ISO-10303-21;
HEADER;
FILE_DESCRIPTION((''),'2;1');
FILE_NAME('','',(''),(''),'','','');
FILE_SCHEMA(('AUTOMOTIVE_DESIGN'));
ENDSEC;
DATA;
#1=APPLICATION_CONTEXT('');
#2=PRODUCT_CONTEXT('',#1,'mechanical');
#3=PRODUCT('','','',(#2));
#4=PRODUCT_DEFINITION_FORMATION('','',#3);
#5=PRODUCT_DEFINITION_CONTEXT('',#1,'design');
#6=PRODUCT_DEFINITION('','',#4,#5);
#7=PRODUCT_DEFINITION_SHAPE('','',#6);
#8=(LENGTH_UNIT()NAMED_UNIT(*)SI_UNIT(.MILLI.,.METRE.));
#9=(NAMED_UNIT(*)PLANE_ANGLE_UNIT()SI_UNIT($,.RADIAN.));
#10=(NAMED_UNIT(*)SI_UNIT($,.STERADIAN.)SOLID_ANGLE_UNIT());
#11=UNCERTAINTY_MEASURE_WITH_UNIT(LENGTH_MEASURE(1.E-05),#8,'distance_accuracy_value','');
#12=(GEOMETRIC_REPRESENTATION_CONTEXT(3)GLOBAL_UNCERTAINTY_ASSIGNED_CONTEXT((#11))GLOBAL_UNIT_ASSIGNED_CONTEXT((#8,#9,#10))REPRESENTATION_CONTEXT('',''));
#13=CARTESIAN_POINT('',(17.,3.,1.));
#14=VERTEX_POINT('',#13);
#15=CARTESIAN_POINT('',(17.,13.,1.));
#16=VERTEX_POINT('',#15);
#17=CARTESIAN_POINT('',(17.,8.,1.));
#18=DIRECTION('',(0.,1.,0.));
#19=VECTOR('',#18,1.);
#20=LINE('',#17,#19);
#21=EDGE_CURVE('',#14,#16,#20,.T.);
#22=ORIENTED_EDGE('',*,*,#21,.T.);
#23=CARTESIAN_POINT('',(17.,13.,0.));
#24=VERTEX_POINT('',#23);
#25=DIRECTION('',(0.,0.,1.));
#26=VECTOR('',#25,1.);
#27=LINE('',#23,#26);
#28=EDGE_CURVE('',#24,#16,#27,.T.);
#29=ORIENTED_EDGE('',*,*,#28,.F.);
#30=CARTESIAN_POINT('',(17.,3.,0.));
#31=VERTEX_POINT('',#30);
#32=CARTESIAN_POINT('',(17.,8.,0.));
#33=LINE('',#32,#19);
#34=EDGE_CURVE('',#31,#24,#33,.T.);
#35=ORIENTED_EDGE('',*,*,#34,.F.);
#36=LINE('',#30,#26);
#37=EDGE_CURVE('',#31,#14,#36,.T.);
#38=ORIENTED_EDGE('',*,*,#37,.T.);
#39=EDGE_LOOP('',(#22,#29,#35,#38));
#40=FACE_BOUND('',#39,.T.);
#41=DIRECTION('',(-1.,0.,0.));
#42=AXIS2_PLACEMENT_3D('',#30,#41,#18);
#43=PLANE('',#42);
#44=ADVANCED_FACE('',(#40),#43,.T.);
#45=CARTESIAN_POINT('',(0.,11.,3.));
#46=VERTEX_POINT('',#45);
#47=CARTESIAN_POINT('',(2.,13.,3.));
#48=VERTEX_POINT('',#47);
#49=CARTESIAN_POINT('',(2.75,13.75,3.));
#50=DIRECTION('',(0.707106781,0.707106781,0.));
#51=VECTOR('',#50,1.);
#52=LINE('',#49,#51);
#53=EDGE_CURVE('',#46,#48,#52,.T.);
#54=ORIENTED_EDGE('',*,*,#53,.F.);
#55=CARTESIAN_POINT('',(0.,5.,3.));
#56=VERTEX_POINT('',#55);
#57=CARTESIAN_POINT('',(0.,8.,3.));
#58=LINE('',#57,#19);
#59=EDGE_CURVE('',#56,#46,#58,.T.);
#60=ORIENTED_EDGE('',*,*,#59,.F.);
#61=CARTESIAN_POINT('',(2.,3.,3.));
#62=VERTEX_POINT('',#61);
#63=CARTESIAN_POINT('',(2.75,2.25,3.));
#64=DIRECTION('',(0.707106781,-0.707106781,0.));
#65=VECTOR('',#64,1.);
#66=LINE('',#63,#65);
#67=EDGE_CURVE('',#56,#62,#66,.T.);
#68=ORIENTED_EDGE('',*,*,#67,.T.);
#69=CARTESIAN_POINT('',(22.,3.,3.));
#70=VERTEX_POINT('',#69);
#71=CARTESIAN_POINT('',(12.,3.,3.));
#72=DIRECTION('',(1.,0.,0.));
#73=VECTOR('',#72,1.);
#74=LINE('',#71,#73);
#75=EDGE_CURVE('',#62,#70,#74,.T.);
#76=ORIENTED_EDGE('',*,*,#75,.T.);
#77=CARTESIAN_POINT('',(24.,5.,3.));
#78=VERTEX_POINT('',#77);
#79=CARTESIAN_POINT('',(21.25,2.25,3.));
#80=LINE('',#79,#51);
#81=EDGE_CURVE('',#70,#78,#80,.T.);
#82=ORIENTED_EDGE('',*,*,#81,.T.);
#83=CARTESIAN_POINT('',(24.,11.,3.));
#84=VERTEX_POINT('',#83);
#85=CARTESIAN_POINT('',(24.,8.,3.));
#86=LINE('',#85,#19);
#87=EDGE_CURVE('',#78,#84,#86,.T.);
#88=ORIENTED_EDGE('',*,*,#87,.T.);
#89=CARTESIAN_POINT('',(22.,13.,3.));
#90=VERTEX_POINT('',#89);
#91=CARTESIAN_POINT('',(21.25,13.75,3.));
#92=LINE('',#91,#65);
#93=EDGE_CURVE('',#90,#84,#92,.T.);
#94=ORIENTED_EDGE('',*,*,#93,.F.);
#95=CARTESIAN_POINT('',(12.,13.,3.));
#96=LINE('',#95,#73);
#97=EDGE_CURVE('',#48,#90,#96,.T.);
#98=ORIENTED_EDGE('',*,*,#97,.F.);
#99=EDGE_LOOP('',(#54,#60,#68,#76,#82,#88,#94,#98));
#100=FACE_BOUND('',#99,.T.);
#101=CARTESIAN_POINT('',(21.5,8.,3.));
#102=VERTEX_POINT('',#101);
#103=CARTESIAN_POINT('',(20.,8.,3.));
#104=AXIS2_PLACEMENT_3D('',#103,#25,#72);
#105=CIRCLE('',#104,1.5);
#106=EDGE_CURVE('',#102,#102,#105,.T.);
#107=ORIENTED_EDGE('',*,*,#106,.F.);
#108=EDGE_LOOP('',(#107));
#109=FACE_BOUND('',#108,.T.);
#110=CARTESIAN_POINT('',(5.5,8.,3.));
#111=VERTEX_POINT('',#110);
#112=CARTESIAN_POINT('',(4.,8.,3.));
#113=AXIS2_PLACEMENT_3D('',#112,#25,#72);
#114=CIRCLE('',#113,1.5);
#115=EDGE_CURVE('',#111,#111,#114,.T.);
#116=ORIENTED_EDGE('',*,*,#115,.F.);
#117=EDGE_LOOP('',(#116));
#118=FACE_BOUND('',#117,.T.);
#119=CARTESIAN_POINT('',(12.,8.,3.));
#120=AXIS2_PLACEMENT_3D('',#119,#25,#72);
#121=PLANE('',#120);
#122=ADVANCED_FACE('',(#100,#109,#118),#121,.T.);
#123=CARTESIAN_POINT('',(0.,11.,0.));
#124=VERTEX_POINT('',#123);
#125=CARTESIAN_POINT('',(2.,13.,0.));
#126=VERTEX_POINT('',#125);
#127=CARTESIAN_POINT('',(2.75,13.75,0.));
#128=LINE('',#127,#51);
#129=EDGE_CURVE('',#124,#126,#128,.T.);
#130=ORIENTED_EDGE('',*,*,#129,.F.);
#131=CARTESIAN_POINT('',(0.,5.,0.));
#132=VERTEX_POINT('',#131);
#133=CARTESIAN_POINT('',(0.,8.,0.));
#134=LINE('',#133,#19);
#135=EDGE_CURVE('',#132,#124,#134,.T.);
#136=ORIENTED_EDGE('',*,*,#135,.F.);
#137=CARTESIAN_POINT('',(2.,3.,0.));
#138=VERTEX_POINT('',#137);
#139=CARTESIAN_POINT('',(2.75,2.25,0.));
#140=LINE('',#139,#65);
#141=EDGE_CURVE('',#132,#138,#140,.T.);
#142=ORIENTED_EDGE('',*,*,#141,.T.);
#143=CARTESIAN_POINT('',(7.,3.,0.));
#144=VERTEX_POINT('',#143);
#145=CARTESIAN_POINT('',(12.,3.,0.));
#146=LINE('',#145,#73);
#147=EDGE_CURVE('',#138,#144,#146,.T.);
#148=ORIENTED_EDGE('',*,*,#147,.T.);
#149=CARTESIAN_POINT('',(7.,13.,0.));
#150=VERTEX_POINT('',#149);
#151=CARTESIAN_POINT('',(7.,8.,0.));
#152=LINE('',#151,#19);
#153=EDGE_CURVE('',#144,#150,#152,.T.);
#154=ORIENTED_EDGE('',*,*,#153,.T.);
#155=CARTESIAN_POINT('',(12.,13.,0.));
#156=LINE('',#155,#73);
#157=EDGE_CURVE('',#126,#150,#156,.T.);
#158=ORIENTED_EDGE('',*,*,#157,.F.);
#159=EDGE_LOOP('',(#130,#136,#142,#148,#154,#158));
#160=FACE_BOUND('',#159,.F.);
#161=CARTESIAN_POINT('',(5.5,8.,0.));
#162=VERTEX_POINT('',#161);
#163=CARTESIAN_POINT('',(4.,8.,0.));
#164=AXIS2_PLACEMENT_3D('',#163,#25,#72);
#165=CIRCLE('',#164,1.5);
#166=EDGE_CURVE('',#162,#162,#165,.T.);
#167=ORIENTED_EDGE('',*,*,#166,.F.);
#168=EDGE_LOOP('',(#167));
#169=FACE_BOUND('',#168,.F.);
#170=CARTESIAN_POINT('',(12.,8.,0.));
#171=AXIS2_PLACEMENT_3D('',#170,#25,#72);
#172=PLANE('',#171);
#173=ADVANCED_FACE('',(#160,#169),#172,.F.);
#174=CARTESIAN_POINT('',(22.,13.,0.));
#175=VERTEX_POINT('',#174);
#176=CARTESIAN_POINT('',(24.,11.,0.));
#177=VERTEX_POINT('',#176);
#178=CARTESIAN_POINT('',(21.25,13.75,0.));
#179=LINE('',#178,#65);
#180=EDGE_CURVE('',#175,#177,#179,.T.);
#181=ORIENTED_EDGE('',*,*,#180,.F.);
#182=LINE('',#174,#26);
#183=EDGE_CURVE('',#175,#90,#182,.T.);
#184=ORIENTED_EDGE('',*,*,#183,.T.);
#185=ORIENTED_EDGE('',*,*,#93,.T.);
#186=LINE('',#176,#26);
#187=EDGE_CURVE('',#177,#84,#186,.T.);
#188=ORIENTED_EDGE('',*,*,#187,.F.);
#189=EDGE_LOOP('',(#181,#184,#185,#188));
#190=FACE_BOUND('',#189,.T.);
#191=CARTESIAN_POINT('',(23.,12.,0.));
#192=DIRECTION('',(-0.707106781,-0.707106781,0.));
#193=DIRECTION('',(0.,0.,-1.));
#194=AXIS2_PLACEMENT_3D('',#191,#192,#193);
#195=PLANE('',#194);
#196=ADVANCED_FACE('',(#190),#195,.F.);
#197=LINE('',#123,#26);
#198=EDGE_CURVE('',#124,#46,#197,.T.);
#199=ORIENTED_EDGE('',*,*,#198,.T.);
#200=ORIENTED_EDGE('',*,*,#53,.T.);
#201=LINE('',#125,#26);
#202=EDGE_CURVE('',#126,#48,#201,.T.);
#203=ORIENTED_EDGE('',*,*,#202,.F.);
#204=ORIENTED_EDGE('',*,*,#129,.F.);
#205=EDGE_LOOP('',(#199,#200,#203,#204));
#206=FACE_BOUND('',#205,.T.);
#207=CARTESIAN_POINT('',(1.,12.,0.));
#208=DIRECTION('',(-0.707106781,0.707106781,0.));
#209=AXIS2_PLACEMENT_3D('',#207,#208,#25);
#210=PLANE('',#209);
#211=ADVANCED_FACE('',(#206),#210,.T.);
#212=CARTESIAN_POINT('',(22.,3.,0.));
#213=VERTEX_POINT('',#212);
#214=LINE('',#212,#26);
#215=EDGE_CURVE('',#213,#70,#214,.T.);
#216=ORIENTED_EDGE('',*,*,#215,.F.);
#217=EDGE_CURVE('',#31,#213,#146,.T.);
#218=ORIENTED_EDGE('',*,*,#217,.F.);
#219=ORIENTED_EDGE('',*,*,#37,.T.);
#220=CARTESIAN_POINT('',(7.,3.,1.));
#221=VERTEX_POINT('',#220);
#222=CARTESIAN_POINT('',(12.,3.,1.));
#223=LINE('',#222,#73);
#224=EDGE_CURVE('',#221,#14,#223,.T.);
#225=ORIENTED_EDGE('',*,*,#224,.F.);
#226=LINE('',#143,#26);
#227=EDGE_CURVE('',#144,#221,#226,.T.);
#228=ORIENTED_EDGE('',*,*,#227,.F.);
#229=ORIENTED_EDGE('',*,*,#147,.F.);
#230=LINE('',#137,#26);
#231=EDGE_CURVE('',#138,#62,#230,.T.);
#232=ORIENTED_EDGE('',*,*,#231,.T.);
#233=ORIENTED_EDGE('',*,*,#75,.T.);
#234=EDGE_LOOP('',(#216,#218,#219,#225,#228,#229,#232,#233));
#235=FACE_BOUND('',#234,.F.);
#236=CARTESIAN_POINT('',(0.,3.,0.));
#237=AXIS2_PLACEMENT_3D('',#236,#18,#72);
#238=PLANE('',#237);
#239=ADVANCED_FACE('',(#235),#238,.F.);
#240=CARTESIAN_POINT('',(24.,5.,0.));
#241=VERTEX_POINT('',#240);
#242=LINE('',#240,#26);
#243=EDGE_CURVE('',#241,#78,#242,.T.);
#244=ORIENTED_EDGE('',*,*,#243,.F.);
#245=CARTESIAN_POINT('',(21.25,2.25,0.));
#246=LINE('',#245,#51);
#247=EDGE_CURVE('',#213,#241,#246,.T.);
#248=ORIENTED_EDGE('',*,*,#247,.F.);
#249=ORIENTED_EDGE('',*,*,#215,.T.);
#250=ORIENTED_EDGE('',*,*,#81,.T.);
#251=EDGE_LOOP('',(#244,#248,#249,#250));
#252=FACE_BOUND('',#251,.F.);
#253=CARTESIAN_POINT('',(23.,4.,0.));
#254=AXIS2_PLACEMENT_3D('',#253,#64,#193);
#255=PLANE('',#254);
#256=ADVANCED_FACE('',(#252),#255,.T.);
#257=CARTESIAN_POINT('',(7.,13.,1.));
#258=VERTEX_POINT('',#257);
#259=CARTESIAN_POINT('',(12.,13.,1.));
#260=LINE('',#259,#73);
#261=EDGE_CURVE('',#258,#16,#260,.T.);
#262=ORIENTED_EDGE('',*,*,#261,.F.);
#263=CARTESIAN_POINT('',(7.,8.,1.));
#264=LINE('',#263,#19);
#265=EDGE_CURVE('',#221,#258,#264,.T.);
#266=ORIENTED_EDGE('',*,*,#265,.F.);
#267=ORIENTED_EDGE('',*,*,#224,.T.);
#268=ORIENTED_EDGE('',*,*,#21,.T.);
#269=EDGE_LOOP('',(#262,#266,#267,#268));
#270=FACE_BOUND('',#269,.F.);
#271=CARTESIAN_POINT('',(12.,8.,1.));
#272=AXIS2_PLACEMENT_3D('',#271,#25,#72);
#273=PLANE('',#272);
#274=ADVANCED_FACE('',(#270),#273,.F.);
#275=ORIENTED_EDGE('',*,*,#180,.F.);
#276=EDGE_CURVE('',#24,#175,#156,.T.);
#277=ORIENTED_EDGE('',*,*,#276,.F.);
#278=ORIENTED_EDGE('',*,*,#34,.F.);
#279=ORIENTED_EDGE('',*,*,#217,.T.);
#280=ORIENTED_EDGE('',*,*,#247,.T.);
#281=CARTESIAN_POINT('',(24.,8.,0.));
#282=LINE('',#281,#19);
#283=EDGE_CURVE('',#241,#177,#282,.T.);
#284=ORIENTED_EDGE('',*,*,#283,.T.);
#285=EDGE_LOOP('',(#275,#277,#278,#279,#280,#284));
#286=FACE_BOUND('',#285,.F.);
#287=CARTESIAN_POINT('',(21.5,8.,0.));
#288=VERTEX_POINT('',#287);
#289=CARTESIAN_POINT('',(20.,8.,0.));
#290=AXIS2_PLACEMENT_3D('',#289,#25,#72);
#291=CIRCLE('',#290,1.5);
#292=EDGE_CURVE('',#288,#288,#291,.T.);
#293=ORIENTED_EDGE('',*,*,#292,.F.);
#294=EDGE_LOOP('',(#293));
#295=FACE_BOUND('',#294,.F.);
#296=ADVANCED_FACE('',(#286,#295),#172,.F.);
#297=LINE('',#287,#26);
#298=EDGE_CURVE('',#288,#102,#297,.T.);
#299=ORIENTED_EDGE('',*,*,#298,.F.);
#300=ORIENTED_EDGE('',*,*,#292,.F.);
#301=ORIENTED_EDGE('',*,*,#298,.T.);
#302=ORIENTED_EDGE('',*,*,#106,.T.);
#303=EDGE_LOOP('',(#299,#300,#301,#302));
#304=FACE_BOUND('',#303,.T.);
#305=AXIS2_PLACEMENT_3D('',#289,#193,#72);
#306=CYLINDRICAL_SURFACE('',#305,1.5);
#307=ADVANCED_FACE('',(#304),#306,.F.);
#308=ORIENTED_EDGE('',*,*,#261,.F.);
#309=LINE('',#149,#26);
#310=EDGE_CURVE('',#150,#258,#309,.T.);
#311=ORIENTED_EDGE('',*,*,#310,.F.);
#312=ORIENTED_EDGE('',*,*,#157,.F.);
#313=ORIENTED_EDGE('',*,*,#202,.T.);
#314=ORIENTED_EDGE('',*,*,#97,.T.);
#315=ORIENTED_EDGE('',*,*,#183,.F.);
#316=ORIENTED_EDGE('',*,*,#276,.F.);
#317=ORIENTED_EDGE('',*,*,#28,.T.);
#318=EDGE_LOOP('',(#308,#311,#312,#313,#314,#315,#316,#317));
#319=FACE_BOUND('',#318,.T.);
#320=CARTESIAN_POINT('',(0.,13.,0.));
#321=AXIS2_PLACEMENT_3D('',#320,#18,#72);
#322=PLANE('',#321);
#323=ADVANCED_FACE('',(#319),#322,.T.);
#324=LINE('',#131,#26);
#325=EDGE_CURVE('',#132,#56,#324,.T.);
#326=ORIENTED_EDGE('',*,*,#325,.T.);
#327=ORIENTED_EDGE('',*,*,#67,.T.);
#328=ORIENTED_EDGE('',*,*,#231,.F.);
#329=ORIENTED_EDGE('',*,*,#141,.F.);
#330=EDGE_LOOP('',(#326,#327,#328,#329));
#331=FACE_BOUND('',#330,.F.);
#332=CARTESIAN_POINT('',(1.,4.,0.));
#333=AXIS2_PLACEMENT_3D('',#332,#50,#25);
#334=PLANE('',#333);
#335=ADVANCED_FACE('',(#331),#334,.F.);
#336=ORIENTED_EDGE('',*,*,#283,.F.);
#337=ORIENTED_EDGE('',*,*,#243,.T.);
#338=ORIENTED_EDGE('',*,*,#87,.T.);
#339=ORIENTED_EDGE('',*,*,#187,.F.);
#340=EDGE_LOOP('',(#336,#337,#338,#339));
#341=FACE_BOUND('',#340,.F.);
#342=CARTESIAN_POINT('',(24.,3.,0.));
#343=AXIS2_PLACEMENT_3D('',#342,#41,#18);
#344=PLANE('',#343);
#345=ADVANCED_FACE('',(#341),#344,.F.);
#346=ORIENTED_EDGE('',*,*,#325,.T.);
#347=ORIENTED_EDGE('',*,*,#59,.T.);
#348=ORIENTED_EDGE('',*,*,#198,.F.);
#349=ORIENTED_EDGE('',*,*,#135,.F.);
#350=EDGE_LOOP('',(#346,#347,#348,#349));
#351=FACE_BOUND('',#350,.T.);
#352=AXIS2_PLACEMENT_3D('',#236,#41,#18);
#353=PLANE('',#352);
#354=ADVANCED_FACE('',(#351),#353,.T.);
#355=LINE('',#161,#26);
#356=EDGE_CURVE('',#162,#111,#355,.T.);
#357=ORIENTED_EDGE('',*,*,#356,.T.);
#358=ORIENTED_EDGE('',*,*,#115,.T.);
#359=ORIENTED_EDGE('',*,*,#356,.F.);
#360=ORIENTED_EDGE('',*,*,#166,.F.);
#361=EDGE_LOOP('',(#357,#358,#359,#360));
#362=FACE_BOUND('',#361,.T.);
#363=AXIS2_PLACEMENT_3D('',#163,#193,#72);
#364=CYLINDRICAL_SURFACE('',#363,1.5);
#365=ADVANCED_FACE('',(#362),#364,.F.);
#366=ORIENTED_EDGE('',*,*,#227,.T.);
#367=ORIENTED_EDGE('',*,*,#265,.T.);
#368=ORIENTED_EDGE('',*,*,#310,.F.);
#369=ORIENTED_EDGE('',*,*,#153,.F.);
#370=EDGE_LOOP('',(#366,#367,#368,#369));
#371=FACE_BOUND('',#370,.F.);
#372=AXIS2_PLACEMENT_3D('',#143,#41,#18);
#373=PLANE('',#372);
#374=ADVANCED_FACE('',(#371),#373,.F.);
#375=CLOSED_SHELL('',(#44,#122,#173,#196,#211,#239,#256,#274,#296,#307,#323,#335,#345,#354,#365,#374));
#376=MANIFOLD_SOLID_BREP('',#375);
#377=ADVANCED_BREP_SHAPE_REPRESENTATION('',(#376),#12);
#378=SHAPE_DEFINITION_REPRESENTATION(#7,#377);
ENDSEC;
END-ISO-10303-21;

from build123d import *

# Parameters (mm, degrees)
CYLINDER013_R     = 1.5
CYLINDER013_DEPTH = 3
CYLINDER014_R     = 1.5
CYLINDER014_DEPTH = 3
BOX016_W          = 10
BOX016_H          = 10
BOX016_DEPTH      = 1
BOX015_W          = 24
BOX015_H          = 10
BOX015_DEPTH      = 3
CHAMFER001_SIZE   = 2


with BuildPart() as cylinder013:
    # Cylinder013 → Cylinder013 (new body)
    with BuildSketch(Plane(origin=(4, 5, 0), x_dir=(1, 0, 0), z_dir=(0, 0, 1))):
        Circle(CYLINDER013_R)
    extrude(amount=CYLINDER013_DEPTH)


with BuildPart() as fusion001002013:
    # Cylinder014 → Cylinder014 (new body)
    with BuildSketch(Plane(origin=(20, 5, 0), x_dir=(1, 0, 0), z_dir=(0, 0, 1))):
        Circle(CYLINDER014_R)
    extrude(amount=CYLINDER014_DEPTH)

    # Fusion001002013: union Cylinder013
    add(cylinder013.part)


with BuildPart() as cube016:
    # Box016 → Box016 (new body)
    with BuildSketch(Plane(origin=(7, 0, 0), x_dir=(1, 0, 0), z_dir=(0, 0, 1))):
        with Locations((5, 5)):
            Rectangle(BOX016_W, BOX016_H)
    extrude(amount=BOX016_DEPTH)


with BuildPart() as chamfer001:
    # Box015 → Box015 (new body)
    with BuildSketch(Plane.XY):
        with Locations((12, 5)):
            Rectangle(BOX015_W, BOX015_H)
    extrude(amount=BOX015_DEPTH)

    # Cut011: cut Cube016
    add(cube016.part, mode=Mode.SUBTRACT)

    # Cut012: cut Fusion001002013
    add(fusion001002013.part, mode=Mode.SUBTRACT)


with BuildPart() as chamfer001_1:
    # Cut012 placement: moved
    add(chamfer001.part.moved(Location((0, 3, 0))))

    # Chamfer001
    chamfer001_edges = [chamfer001_1.edges().sort_by_distance(p)[0] for p in [
        (0, 3, 1.5),
        (0, 13, 1.5),
        (24, 3, 1.5),
        (24, 13, 1.5),
    ]]
    chamfer(chamfer001_edges, length=CHAMFER001_SIZE)


solid = chamfer001_1.part
